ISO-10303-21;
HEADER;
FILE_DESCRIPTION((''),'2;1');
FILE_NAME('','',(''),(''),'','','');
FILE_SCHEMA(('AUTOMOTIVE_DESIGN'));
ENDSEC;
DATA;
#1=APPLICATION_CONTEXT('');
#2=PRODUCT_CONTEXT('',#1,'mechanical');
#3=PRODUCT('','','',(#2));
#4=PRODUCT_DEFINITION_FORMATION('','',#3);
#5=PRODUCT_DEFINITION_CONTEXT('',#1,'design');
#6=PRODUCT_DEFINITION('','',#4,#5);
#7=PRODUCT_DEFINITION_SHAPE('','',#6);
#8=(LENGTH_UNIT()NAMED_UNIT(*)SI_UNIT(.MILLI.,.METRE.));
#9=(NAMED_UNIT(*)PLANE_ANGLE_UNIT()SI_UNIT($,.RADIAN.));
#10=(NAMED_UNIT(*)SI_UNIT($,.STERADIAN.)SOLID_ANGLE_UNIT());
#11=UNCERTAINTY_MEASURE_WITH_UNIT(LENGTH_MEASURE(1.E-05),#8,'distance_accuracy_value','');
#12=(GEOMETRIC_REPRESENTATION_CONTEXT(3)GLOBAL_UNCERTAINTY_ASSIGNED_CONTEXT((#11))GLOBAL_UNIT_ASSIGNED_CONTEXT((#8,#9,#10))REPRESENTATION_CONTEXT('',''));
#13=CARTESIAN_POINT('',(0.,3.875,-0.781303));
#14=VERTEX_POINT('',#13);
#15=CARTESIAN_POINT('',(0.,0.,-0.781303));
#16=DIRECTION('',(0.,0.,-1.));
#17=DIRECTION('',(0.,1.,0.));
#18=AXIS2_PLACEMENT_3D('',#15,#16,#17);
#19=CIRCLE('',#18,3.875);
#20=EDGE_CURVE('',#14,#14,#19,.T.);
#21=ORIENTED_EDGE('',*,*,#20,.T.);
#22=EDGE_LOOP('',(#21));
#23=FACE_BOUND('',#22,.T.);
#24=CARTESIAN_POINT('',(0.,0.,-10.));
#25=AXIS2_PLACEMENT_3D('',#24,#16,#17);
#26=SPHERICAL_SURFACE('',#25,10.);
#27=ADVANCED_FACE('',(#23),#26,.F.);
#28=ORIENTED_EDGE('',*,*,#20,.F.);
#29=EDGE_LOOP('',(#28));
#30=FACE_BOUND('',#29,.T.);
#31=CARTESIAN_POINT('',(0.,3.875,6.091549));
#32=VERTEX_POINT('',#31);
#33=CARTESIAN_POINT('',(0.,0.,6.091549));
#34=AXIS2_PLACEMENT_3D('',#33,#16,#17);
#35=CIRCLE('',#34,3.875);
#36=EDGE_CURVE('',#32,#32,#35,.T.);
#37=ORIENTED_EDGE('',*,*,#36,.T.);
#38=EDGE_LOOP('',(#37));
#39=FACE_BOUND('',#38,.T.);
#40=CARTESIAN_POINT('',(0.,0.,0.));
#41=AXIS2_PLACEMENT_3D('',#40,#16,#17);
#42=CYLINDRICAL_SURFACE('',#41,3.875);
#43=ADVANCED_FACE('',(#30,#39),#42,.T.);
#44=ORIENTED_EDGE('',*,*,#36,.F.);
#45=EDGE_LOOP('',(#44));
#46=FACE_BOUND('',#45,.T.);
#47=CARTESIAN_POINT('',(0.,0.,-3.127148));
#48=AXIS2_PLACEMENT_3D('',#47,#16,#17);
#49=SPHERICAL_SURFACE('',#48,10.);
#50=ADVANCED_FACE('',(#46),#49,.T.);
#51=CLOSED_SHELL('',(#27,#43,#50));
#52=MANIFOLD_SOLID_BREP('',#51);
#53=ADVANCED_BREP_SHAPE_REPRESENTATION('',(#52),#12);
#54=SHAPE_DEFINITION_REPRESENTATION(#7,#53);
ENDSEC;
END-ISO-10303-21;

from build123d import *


with BuildPart() as part:
    # Sketch3 → Revolve1 (revolve)
    with BuildSketch(Plane(origin=(0, 0, 0), x_dir=(0, 0, -1), z_dir=(1, 0, 0))):
        with BuildLine():
            Line((-6.872852234, 0), (0, 0))
            ThreePointArc((0, 0), (0.197271545, 1.976490534), (0.781302966, 3.875))
            Line((0.781302966, 3.875), (-6.091549267, 3.875))
            ThreePointArc((-6.091549267, 3.875), (-6.675580689, 1.976490534), (-6.872852234, 0))
        make_face()
    revolve(axis=Axis((0, 0, 0), (0, 0, 1)))


solid = part.part
